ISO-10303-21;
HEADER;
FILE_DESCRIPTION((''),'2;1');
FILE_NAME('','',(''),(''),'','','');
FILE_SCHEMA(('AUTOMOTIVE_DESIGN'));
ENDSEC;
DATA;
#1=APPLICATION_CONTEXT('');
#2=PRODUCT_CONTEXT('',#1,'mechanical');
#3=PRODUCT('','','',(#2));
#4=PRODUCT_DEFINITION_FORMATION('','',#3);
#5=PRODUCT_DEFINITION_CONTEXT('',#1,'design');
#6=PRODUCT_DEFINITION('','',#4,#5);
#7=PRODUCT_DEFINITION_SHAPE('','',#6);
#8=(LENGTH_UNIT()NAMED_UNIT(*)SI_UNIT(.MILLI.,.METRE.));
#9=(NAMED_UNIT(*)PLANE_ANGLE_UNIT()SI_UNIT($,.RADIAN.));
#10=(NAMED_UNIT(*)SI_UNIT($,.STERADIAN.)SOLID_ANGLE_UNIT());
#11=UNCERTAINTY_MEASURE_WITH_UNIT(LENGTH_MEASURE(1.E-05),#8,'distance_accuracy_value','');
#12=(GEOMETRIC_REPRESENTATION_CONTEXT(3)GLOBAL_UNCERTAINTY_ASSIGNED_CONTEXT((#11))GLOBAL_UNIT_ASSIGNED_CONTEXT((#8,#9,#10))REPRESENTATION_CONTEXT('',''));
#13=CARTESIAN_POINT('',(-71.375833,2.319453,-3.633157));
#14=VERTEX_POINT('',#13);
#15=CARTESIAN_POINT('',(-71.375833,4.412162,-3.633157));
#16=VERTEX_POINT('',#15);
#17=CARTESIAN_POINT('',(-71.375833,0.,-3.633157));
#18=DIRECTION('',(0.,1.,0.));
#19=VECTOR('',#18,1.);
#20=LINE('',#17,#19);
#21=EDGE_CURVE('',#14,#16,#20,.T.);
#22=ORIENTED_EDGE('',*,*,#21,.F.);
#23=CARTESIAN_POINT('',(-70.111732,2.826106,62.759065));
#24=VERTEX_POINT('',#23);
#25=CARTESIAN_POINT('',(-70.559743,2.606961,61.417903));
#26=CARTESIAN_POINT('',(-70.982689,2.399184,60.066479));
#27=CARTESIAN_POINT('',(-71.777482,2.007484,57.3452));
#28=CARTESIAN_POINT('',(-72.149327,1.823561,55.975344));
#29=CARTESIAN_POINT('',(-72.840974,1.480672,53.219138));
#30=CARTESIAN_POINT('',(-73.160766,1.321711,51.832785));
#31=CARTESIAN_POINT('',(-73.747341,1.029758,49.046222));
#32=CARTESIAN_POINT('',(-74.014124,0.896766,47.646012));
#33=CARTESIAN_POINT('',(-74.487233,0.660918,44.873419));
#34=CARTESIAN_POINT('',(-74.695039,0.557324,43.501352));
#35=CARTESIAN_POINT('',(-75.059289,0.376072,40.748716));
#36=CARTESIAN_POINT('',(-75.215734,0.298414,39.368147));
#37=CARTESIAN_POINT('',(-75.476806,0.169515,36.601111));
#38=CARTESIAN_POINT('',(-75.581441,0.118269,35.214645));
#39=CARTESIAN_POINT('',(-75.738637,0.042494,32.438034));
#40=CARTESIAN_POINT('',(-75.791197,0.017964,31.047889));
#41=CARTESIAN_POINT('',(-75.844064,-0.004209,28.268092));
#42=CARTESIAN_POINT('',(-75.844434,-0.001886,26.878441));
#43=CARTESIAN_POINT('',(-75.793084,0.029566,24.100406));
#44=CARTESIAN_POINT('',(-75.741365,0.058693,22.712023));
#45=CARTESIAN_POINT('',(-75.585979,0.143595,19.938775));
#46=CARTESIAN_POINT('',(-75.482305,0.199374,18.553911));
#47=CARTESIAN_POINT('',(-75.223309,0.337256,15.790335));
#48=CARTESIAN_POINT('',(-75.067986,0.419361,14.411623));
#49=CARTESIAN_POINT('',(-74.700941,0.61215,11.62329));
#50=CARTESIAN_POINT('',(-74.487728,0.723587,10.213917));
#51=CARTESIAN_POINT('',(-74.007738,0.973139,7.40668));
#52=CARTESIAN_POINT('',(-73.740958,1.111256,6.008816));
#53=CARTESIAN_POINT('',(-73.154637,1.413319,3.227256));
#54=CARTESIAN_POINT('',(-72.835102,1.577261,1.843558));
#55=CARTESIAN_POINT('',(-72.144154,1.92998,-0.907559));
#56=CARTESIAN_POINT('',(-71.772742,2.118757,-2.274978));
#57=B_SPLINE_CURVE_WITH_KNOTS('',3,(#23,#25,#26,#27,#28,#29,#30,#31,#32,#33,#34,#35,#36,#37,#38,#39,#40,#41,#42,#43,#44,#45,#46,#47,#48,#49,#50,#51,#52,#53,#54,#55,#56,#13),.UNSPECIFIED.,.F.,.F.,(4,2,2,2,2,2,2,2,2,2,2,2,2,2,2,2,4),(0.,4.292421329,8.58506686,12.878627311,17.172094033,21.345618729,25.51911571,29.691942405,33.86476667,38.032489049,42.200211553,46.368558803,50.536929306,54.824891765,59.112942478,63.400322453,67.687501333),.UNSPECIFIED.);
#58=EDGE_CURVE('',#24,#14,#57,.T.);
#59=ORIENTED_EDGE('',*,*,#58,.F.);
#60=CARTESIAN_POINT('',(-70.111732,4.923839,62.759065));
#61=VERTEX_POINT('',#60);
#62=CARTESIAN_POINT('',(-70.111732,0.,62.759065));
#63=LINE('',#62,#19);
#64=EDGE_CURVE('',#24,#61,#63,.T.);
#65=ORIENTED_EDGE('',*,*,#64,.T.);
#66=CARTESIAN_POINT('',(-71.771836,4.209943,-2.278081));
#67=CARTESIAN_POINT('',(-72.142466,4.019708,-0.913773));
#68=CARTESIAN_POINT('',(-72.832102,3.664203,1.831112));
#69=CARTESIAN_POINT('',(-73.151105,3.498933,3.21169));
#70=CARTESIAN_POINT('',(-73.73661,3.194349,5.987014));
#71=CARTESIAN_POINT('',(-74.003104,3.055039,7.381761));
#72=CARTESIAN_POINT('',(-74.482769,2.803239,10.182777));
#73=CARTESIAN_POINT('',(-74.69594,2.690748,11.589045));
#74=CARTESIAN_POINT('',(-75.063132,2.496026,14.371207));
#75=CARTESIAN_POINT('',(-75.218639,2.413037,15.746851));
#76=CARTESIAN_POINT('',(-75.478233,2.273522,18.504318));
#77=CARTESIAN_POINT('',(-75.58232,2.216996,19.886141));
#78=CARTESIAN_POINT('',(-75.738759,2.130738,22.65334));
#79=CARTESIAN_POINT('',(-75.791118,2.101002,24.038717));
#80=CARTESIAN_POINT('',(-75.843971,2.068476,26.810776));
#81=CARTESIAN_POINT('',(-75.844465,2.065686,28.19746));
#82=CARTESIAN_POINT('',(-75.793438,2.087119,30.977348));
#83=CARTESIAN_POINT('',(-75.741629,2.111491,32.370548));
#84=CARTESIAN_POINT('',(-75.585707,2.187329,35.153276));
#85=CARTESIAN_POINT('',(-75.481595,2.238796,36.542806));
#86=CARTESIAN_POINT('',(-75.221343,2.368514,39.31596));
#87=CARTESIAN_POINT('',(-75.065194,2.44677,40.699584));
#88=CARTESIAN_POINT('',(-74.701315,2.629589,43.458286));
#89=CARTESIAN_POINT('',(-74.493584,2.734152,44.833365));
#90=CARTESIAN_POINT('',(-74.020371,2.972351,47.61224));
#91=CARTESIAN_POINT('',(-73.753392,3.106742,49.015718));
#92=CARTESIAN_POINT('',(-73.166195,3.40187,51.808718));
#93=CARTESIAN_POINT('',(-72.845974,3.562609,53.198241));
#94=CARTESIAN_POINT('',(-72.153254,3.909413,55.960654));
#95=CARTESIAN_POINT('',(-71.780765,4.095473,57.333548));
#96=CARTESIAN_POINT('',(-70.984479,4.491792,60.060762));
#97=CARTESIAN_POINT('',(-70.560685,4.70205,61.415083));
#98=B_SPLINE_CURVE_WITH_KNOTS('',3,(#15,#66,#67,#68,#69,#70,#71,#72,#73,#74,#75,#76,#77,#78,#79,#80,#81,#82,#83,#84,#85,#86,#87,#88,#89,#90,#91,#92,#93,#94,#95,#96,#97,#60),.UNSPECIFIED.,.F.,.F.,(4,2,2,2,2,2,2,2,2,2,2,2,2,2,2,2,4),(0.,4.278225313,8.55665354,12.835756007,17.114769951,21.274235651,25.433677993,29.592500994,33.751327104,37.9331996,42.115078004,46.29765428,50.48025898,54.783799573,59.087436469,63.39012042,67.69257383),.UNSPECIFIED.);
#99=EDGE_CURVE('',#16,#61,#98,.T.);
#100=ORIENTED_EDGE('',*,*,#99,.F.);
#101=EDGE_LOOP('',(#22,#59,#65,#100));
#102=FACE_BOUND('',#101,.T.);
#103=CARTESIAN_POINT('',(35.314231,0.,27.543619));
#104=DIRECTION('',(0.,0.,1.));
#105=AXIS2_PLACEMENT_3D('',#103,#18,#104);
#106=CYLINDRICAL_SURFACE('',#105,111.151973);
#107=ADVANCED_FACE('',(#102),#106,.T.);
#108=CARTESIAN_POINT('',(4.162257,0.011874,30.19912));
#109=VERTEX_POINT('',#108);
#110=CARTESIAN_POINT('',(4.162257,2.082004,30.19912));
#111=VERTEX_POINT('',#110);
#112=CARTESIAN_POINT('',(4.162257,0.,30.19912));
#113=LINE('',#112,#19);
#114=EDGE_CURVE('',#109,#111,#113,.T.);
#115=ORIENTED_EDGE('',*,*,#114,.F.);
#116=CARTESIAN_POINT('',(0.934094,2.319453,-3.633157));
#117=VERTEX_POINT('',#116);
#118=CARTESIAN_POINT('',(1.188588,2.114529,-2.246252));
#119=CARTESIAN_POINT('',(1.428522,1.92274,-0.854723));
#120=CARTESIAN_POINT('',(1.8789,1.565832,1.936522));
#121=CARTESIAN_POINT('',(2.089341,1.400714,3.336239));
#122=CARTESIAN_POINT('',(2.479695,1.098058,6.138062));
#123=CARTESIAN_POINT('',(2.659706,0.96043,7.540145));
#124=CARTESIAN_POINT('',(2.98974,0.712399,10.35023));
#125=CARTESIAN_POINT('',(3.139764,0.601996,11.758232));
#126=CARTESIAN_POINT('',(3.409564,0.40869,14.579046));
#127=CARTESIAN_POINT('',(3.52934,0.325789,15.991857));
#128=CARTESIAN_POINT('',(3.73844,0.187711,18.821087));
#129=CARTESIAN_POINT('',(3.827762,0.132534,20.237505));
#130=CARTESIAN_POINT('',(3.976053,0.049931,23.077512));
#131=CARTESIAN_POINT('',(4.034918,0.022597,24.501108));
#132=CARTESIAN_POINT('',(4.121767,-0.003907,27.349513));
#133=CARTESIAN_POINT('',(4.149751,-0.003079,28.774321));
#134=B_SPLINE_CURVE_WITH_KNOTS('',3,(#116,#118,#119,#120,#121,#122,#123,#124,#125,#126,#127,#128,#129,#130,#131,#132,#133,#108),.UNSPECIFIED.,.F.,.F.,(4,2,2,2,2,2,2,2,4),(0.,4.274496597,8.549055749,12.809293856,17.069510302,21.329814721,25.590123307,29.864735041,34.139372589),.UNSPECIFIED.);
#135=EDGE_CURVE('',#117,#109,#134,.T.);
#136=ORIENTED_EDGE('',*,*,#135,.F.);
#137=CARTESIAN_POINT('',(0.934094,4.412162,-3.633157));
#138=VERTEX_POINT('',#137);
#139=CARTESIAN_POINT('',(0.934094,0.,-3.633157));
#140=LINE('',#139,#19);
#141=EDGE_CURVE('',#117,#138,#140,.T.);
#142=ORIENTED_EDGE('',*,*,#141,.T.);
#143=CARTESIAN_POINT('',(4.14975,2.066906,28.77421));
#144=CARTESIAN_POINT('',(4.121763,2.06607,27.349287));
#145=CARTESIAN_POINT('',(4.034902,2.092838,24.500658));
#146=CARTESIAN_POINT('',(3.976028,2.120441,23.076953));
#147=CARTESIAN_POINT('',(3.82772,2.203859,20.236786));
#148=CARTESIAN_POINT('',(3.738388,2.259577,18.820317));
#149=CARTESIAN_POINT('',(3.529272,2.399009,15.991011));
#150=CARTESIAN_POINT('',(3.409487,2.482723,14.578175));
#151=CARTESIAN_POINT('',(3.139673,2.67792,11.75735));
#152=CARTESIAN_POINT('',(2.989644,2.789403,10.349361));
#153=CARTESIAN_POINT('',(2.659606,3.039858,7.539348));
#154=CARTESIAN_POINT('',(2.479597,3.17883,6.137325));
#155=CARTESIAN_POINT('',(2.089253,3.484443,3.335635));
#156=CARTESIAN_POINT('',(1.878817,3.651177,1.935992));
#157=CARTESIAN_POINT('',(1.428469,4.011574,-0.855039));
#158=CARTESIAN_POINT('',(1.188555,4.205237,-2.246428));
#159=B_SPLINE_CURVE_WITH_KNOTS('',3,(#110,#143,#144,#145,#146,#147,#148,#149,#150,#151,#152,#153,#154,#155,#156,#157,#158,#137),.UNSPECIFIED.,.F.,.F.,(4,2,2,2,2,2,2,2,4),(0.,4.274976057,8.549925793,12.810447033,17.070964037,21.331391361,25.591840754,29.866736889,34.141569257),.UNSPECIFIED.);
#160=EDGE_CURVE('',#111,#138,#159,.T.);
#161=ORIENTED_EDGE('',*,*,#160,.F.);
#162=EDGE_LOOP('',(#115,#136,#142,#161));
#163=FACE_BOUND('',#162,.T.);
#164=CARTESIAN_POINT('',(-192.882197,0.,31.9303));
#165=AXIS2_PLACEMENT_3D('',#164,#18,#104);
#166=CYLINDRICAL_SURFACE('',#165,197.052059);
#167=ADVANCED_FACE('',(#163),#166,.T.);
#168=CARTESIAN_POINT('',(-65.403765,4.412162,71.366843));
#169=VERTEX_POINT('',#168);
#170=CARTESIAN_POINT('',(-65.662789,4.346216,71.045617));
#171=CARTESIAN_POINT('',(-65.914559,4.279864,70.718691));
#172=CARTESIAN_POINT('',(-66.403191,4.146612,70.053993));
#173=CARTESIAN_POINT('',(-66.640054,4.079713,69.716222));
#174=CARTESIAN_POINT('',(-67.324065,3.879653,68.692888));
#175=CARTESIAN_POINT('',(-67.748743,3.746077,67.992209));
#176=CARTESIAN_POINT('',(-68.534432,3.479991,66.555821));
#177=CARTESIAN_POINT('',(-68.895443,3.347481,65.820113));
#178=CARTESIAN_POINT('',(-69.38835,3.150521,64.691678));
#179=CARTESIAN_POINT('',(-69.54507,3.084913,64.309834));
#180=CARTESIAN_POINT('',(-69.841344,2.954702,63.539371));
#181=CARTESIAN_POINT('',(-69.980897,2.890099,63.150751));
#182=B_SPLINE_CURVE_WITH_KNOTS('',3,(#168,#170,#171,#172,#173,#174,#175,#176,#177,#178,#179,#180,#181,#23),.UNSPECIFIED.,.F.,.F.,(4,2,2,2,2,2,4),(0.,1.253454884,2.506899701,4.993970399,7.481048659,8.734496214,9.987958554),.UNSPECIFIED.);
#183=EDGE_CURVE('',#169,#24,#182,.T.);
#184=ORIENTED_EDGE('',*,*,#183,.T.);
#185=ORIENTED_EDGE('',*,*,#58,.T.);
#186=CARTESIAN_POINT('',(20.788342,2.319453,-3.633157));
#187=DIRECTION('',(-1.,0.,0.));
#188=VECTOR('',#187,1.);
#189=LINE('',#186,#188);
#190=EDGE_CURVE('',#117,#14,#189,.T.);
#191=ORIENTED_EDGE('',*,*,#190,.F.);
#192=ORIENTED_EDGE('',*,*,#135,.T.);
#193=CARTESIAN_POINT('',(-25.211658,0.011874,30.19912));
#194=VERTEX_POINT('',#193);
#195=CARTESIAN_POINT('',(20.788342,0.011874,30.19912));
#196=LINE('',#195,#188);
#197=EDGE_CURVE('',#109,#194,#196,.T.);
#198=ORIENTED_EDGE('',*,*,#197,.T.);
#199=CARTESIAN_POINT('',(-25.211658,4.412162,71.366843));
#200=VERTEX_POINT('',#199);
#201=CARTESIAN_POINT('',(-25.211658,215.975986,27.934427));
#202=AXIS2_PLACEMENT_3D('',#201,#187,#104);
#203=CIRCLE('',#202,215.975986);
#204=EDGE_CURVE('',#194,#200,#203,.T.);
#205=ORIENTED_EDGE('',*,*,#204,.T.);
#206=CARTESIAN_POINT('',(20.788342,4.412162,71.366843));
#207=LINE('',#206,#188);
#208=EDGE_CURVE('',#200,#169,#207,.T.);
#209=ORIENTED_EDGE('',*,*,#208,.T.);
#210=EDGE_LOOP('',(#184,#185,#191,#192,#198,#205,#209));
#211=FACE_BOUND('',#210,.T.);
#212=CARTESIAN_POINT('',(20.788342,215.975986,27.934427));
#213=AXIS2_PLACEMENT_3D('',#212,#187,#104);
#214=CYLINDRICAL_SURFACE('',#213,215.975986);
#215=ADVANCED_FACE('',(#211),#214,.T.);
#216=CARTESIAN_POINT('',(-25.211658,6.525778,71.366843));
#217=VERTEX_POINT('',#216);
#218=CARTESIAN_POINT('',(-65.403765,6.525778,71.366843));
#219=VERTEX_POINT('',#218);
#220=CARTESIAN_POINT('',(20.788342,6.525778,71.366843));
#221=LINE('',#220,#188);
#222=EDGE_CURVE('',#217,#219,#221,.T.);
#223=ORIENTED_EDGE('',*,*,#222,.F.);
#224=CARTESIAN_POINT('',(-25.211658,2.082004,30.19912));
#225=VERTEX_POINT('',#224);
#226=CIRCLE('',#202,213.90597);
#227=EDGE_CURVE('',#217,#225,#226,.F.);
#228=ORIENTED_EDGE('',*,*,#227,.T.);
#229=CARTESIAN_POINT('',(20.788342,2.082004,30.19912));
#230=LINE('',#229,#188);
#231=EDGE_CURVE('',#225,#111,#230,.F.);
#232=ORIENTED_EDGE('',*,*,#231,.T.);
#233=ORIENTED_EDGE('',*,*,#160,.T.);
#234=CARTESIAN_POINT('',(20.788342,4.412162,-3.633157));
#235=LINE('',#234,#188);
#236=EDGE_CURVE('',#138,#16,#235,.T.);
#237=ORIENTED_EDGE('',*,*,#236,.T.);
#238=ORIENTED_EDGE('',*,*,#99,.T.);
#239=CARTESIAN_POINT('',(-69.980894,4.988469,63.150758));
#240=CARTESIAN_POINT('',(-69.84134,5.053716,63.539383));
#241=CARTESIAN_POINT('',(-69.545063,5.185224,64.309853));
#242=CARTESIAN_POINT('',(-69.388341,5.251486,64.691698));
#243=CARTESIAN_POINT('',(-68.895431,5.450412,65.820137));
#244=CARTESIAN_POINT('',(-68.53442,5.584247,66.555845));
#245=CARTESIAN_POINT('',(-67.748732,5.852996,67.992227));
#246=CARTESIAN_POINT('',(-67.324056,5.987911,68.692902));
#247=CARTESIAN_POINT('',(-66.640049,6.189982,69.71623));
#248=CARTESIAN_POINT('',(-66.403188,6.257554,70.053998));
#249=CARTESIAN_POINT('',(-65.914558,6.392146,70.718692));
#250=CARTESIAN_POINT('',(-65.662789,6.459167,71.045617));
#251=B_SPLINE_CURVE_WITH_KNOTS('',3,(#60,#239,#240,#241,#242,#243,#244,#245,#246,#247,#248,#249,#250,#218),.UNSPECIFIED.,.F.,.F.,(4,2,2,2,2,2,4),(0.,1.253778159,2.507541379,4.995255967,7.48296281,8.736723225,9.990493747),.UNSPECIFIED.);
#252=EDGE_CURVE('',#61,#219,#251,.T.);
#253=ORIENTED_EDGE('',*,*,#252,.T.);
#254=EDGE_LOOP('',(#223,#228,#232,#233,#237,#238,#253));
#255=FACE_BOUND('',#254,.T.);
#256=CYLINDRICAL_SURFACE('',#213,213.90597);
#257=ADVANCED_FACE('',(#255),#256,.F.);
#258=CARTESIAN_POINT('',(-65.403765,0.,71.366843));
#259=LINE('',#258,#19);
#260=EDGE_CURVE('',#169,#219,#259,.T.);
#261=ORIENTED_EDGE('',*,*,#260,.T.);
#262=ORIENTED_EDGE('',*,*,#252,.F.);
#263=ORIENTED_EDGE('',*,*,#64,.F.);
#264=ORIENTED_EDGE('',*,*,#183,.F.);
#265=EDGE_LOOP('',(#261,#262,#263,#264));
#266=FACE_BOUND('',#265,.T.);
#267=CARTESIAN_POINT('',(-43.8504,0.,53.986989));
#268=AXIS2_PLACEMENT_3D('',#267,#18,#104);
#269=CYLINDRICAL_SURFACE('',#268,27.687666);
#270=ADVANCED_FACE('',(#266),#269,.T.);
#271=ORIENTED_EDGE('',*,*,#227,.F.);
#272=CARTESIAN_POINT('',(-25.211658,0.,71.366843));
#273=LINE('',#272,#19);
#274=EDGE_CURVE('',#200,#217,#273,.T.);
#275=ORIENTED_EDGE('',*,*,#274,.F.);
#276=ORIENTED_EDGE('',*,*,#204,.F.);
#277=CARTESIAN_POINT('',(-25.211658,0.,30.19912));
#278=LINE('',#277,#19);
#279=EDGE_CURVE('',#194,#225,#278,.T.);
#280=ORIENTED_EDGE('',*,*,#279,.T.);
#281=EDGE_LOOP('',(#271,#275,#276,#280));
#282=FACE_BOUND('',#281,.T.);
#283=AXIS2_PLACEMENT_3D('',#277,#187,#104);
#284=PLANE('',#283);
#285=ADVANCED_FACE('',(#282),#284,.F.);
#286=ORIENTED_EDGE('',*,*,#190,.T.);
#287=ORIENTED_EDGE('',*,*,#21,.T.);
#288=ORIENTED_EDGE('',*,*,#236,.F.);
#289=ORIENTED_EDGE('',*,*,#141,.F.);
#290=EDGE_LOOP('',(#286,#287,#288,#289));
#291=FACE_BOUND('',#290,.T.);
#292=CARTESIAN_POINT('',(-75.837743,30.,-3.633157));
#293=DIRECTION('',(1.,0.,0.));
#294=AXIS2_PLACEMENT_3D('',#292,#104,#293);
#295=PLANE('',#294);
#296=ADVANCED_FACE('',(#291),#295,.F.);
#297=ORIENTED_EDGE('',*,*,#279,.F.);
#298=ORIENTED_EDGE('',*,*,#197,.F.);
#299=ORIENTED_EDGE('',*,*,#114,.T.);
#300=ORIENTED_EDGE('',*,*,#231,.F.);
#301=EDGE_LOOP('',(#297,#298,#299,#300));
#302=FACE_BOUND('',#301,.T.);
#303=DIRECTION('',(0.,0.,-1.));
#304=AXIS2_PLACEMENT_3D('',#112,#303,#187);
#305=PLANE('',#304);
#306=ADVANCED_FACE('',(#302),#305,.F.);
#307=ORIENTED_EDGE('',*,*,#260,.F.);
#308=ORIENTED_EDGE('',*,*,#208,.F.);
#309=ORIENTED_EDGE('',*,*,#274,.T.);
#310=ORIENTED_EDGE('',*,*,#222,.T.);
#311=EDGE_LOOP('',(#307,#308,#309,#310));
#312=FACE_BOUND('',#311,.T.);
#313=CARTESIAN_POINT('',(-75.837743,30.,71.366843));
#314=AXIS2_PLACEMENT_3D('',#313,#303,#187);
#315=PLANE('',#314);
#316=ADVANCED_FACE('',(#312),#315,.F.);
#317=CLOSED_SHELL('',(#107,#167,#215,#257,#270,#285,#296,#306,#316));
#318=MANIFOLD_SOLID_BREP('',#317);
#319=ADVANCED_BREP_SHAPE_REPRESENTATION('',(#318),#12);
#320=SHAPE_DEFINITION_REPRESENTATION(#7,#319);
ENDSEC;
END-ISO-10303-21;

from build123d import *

# Parameters (mm, degrees)
SKETCH1_W               = 80
SKETCH1_H               = 75
BOSS_EXTRUDE1_DEPTH     = 30
CUT_EXTRUDE3_DEPTH      = 30
CUT_EXTRUDE4_DEPTH      = 46
CUT_EXTRUDE4_DEPTH_BACK = 53


with BuildPart() as part:
    # Sketch1 → Boss-Extrude1 (new body)
    with BuildSketch(Plane(origin=(0, 0, 0), x_dir=(1, 0, 0), z_dir=(0, 1, 0))):
        with Locations((-35.837742504, -33.866843034)):
            Rectangle(SKETCH1_W, SKETCH1_H)
    extrude(amount=BOSS_EXTRUDE1_DEPTH)

    # Sketch6 → Cut-Extrude3 (cut)
    with BuildSketch(Plane(origin=(0, 30, 0), x_dir=(1, 0, 0), z_dir=(0, 1, 0))):
        with BuildLine():
            Line((-71.375833468, 3.633156966), (-108.820806999, 13.42149107))
            Line((-108.820806999, 13.42149107), (-125.584570218, -100.370099881))
            Line((-125.584570218, -100.370099881), (-10.920024304, -107.668906036))
            Line((-10.920024304, -107.668906036), (16.042240316, -75.531910929))
            Line((16.042240316, -75.531910929), (16.042240316, -32.24724925))
            Line((16.042240316, -32.24724925), (13.170421527, 8.096312294))
            Line((13.170421527, 8.096312294), (0.934093701, 3.633156966))
            ThreePointArc((0.934093701, 3.633156966), (3.278926231, -13.213255463), (4.162257496, -30.199119503))
            Line((4.162257496, -30.199119503), (-25.2116582, -30.199119503))
            Line((-25.2116582, -30.199119503), (-25.2116582, -71.366843034))
            Line((-25.2116582, -71.366843034), (-65.403764634, -71.366843034))
            ThreePointArc((-65.403764634, -71.366843034), (-68.14206018, -67.273150859), (-70.111731546, -62.759064813))
            ThreePointArc((-70.111731546, -62.759064813), (-75.817600676, -29.659558964), (-71.375833468, 3.633156966))
        make_face()
    extrude(amount=-CUT_EXTRUDE3_DEPTH, mode=Mode.SUBTRACT)

    # Sketch7 → Cut-Extrude4 (cut, two sides: drawn at the far end of the back side and taken through both)
    with BuildSketch(Plane(origin=(-25.2116582, 0, 0), x_dir=(0, 0, -1), z_dir=(1, 0, 0)).offset(-CUT_EXTRUDE4_DEPTH_BACK)):
        with BuildLine():
            Line((3.633156966, 4.41216157), (25.866454997, 63.394578765))
            Line((25.866454997, 63.394578765), (-68.187233435, 84.334388308))
            Line((-68.187233435, 84.334388308), (-84.699418689, 46.854351889))
            Line((-84.699418689, 46.854351889), (-91.169251259, 32.168860137))
            Line((-91.169251259, 32.168860137), (-79.899921895, -15.478262788))
            Line((-79.899921895, -15.478262788), (10.487341479, -37.061233348))
            Line((10.487341479, -37.061233348), (3.633156966, 2.319452889))
            ThreePointArc((3.633156966, 2.319452889), (-33.958413843, 0.084026639), (-71.366843034, 4.41216157))
            Line((-71.366843034, 4.41216157), (-77.914841613, 5.869986833))
            Line((-77.914841613, 5.869986833), (-71.366843034, 6.525778375))
            ThreePointArc((-71.366843034, 6.525778375), (-33.960238488, 2.154907065), (3.633156966, 4.41216157))
        make_face()
    extrude(amount=CUT_EXTRUDE4_DEPTH + CUT_EXTRUDE4_DEPTH_BACK, mode=Mode.SUBTRACT)


solid = part.part
